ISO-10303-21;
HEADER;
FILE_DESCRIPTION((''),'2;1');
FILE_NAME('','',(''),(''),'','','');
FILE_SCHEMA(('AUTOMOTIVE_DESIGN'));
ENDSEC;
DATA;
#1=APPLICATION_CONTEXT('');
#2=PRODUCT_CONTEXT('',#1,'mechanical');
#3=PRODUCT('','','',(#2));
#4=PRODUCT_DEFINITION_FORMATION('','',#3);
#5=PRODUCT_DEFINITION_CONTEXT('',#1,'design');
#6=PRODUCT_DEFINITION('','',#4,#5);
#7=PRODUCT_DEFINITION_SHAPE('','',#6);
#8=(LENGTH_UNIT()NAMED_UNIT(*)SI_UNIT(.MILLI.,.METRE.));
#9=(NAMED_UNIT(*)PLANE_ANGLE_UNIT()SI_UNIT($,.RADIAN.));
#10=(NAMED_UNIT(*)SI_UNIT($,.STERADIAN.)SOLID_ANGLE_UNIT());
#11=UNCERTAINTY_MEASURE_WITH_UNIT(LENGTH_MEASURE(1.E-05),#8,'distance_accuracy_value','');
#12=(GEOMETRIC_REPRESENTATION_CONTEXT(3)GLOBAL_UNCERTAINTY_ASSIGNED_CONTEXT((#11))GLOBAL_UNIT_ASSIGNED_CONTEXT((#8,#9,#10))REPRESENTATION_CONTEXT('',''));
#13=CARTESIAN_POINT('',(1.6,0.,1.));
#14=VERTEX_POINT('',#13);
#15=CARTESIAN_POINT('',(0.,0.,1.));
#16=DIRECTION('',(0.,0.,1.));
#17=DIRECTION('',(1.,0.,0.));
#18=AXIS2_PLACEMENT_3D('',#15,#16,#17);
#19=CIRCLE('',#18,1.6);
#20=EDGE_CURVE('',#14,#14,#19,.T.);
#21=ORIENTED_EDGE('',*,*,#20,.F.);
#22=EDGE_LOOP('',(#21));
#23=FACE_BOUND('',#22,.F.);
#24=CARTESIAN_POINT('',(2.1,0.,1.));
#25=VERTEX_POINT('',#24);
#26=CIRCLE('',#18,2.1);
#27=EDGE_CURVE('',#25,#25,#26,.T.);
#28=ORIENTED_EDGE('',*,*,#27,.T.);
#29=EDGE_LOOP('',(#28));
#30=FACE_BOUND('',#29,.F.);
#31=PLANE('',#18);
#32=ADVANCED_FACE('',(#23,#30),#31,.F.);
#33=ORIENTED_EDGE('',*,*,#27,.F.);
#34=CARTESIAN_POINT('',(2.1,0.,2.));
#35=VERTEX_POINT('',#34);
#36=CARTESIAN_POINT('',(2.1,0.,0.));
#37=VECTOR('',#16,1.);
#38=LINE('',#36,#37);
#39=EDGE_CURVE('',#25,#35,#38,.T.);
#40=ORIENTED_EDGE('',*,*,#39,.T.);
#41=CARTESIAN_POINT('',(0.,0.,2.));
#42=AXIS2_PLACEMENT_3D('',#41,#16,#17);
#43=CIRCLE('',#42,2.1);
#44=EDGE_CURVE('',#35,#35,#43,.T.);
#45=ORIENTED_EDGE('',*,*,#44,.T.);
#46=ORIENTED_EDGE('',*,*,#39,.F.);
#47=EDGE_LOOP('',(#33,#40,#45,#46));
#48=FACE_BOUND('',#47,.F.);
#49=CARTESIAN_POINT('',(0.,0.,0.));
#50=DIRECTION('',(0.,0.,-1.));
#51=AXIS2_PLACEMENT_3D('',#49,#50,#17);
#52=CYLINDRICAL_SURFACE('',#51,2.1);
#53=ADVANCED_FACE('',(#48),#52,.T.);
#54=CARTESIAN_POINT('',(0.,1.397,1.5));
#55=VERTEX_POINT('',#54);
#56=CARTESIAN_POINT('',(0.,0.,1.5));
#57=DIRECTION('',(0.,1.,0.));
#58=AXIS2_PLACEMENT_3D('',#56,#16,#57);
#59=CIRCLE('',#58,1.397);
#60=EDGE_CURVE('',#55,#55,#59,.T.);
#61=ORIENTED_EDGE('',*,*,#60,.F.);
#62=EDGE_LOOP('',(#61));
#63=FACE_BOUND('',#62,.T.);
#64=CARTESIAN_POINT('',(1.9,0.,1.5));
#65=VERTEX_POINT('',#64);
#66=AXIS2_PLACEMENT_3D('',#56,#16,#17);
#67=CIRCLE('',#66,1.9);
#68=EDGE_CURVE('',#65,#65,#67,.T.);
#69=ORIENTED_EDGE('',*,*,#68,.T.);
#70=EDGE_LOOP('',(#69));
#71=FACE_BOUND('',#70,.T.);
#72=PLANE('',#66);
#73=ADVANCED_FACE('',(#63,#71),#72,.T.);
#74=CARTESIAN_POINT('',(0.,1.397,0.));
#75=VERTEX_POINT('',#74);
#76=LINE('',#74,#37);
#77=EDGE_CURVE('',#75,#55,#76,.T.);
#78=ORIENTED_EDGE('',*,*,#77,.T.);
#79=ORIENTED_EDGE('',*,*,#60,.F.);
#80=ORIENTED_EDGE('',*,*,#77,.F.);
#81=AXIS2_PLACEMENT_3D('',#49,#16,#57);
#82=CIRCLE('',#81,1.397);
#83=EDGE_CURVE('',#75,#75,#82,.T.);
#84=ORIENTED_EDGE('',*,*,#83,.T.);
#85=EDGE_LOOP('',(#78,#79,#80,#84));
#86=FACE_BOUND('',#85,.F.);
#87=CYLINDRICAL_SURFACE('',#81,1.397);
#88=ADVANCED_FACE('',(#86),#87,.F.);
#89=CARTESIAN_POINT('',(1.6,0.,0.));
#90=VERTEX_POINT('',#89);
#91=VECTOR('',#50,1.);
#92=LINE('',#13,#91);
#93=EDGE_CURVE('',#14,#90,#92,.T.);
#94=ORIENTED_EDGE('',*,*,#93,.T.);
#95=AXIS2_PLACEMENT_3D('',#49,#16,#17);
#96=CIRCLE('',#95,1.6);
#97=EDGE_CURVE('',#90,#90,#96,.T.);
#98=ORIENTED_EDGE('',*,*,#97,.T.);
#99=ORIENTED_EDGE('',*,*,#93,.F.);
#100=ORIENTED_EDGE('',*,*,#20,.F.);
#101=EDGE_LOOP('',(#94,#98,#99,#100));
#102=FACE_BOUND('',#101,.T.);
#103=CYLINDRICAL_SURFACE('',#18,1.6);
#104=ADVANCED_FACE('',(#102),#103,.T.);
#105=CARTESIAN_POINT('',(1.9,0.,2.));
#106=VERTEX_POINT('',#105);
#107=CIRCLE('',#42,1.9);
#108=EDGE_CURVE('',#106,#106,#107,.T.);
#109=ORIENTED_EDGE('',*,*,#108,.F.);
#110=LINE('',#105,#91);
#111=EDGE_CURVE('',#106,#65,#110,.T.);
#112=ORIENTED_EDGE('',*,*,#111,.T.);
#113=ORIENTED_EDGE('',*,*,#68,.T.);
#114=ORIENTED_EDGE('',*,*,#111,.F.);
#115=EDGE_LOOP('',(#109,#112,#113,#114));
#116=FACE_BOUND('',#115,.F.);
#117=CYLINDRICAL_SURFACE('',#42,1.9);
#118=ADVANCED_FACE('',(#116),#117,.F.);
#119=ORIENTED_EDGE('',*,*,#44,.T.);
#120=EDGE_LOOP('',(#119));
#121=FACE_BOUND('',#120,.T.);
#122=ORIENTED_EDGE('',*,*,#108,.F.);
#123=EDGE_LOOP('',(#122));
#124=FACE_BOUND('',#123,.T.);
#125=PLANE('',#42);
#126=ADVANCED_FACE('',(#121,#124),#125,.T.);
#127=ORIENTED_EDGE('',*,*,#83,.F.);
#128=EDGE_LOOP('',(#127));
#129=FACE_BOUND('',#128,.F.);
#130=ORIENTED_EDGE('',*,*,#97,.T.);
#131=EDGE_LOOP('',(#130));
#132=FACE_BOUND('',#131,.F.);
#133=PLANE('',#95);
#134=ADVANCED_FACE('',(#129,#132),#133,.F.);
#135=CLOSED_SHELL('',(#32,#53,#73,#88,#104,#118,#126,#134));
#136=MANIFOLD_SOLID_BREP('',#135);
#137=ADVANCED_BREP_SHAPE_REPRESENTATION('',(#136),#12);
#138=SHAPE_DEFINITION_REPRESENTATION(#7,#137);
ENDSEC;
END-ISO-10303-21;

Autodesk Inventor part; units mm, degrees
ref_plane "YZ Plane" through (0, 0, 0) normal (1, 0, 0) x (0, 1, 0)
ref_plane "XZ Plane" through (0, 0, 0) normal (0, 1, 0) x (-1, 0, 0)
ref_plane "XY Plane" through (0, 0, 0) normal (0, 0, 1) x (1, 0, 0)
sketch "Sketch1" plane through (0, 0, 0) normal (0, 0, 1) x (1, 0, 0)
  circle A0 centre (0, 0) radius 1.5
  circle A1 centre (0, 0) radius 2.1
  dimension "d0" = 3
  dimension "d1" = 4.2
extrude "Extrusion1" add sketch "Sketch1" along normal blind 2 contours A0 | A1
sketch "Sketch2" plane through (0, 0, 2) normal (0, 0, 1) x (1, 0, 0)
  circle A0 centre (0, 0) radius 1.5 projected
  circle A1 centre (0, 0) radius 2.1 projected
  circle A2 centre (0, 0) radius 1.9
  dimension "d4" = 3.8
extrude "Extrusion2" cut sketch "Sketch2" against normal blind 0.5 contours A0 | A2
sketch "Sketch3" plane through (0, 0, 0) normal (0, 0, -1) x (-1, 0, 0)
  circle A0 centre (0, 0) radius 1.5 projected
  circle A1 centre (0, 0) radius 2.1 projected
  circle A2 centre (0, 0) radius 1.9
  dimension "d7" = 3.8
extrude "Extrusion3" [suppressed]
ref_plane "Work Plane1" through (0, 0, 1) normal (0, 0, 1) x (1, 0, 0)
sketch "Sketch4" plane through (0, 0, 1) normal (0, 0, 1) x (1, 0, 0)
  circle A0 centre (0, 0) radius 1.6
  circle A1 centre (0, 0) radius 2.1 projected
  dimension "d11" = 3.2
extrude "Extrusion4" cut sketch "Sketch4" against normal through all
sketch "Sketch5" plane through (0, 0, 0) normal (0, 0, -1) x (-1, 0, 0)
  circle A0 centre (0, 0) radius 1.6 projected
  circle A1 centre (0, 0) radius 1.4
  dimension "d14" = 2.8
hole "Hole1" at (0, 0, 0) direction (0, 0, 1) diameter 2.794 end through all
properties part number "GuideTube" material "Aluminum-6061"
